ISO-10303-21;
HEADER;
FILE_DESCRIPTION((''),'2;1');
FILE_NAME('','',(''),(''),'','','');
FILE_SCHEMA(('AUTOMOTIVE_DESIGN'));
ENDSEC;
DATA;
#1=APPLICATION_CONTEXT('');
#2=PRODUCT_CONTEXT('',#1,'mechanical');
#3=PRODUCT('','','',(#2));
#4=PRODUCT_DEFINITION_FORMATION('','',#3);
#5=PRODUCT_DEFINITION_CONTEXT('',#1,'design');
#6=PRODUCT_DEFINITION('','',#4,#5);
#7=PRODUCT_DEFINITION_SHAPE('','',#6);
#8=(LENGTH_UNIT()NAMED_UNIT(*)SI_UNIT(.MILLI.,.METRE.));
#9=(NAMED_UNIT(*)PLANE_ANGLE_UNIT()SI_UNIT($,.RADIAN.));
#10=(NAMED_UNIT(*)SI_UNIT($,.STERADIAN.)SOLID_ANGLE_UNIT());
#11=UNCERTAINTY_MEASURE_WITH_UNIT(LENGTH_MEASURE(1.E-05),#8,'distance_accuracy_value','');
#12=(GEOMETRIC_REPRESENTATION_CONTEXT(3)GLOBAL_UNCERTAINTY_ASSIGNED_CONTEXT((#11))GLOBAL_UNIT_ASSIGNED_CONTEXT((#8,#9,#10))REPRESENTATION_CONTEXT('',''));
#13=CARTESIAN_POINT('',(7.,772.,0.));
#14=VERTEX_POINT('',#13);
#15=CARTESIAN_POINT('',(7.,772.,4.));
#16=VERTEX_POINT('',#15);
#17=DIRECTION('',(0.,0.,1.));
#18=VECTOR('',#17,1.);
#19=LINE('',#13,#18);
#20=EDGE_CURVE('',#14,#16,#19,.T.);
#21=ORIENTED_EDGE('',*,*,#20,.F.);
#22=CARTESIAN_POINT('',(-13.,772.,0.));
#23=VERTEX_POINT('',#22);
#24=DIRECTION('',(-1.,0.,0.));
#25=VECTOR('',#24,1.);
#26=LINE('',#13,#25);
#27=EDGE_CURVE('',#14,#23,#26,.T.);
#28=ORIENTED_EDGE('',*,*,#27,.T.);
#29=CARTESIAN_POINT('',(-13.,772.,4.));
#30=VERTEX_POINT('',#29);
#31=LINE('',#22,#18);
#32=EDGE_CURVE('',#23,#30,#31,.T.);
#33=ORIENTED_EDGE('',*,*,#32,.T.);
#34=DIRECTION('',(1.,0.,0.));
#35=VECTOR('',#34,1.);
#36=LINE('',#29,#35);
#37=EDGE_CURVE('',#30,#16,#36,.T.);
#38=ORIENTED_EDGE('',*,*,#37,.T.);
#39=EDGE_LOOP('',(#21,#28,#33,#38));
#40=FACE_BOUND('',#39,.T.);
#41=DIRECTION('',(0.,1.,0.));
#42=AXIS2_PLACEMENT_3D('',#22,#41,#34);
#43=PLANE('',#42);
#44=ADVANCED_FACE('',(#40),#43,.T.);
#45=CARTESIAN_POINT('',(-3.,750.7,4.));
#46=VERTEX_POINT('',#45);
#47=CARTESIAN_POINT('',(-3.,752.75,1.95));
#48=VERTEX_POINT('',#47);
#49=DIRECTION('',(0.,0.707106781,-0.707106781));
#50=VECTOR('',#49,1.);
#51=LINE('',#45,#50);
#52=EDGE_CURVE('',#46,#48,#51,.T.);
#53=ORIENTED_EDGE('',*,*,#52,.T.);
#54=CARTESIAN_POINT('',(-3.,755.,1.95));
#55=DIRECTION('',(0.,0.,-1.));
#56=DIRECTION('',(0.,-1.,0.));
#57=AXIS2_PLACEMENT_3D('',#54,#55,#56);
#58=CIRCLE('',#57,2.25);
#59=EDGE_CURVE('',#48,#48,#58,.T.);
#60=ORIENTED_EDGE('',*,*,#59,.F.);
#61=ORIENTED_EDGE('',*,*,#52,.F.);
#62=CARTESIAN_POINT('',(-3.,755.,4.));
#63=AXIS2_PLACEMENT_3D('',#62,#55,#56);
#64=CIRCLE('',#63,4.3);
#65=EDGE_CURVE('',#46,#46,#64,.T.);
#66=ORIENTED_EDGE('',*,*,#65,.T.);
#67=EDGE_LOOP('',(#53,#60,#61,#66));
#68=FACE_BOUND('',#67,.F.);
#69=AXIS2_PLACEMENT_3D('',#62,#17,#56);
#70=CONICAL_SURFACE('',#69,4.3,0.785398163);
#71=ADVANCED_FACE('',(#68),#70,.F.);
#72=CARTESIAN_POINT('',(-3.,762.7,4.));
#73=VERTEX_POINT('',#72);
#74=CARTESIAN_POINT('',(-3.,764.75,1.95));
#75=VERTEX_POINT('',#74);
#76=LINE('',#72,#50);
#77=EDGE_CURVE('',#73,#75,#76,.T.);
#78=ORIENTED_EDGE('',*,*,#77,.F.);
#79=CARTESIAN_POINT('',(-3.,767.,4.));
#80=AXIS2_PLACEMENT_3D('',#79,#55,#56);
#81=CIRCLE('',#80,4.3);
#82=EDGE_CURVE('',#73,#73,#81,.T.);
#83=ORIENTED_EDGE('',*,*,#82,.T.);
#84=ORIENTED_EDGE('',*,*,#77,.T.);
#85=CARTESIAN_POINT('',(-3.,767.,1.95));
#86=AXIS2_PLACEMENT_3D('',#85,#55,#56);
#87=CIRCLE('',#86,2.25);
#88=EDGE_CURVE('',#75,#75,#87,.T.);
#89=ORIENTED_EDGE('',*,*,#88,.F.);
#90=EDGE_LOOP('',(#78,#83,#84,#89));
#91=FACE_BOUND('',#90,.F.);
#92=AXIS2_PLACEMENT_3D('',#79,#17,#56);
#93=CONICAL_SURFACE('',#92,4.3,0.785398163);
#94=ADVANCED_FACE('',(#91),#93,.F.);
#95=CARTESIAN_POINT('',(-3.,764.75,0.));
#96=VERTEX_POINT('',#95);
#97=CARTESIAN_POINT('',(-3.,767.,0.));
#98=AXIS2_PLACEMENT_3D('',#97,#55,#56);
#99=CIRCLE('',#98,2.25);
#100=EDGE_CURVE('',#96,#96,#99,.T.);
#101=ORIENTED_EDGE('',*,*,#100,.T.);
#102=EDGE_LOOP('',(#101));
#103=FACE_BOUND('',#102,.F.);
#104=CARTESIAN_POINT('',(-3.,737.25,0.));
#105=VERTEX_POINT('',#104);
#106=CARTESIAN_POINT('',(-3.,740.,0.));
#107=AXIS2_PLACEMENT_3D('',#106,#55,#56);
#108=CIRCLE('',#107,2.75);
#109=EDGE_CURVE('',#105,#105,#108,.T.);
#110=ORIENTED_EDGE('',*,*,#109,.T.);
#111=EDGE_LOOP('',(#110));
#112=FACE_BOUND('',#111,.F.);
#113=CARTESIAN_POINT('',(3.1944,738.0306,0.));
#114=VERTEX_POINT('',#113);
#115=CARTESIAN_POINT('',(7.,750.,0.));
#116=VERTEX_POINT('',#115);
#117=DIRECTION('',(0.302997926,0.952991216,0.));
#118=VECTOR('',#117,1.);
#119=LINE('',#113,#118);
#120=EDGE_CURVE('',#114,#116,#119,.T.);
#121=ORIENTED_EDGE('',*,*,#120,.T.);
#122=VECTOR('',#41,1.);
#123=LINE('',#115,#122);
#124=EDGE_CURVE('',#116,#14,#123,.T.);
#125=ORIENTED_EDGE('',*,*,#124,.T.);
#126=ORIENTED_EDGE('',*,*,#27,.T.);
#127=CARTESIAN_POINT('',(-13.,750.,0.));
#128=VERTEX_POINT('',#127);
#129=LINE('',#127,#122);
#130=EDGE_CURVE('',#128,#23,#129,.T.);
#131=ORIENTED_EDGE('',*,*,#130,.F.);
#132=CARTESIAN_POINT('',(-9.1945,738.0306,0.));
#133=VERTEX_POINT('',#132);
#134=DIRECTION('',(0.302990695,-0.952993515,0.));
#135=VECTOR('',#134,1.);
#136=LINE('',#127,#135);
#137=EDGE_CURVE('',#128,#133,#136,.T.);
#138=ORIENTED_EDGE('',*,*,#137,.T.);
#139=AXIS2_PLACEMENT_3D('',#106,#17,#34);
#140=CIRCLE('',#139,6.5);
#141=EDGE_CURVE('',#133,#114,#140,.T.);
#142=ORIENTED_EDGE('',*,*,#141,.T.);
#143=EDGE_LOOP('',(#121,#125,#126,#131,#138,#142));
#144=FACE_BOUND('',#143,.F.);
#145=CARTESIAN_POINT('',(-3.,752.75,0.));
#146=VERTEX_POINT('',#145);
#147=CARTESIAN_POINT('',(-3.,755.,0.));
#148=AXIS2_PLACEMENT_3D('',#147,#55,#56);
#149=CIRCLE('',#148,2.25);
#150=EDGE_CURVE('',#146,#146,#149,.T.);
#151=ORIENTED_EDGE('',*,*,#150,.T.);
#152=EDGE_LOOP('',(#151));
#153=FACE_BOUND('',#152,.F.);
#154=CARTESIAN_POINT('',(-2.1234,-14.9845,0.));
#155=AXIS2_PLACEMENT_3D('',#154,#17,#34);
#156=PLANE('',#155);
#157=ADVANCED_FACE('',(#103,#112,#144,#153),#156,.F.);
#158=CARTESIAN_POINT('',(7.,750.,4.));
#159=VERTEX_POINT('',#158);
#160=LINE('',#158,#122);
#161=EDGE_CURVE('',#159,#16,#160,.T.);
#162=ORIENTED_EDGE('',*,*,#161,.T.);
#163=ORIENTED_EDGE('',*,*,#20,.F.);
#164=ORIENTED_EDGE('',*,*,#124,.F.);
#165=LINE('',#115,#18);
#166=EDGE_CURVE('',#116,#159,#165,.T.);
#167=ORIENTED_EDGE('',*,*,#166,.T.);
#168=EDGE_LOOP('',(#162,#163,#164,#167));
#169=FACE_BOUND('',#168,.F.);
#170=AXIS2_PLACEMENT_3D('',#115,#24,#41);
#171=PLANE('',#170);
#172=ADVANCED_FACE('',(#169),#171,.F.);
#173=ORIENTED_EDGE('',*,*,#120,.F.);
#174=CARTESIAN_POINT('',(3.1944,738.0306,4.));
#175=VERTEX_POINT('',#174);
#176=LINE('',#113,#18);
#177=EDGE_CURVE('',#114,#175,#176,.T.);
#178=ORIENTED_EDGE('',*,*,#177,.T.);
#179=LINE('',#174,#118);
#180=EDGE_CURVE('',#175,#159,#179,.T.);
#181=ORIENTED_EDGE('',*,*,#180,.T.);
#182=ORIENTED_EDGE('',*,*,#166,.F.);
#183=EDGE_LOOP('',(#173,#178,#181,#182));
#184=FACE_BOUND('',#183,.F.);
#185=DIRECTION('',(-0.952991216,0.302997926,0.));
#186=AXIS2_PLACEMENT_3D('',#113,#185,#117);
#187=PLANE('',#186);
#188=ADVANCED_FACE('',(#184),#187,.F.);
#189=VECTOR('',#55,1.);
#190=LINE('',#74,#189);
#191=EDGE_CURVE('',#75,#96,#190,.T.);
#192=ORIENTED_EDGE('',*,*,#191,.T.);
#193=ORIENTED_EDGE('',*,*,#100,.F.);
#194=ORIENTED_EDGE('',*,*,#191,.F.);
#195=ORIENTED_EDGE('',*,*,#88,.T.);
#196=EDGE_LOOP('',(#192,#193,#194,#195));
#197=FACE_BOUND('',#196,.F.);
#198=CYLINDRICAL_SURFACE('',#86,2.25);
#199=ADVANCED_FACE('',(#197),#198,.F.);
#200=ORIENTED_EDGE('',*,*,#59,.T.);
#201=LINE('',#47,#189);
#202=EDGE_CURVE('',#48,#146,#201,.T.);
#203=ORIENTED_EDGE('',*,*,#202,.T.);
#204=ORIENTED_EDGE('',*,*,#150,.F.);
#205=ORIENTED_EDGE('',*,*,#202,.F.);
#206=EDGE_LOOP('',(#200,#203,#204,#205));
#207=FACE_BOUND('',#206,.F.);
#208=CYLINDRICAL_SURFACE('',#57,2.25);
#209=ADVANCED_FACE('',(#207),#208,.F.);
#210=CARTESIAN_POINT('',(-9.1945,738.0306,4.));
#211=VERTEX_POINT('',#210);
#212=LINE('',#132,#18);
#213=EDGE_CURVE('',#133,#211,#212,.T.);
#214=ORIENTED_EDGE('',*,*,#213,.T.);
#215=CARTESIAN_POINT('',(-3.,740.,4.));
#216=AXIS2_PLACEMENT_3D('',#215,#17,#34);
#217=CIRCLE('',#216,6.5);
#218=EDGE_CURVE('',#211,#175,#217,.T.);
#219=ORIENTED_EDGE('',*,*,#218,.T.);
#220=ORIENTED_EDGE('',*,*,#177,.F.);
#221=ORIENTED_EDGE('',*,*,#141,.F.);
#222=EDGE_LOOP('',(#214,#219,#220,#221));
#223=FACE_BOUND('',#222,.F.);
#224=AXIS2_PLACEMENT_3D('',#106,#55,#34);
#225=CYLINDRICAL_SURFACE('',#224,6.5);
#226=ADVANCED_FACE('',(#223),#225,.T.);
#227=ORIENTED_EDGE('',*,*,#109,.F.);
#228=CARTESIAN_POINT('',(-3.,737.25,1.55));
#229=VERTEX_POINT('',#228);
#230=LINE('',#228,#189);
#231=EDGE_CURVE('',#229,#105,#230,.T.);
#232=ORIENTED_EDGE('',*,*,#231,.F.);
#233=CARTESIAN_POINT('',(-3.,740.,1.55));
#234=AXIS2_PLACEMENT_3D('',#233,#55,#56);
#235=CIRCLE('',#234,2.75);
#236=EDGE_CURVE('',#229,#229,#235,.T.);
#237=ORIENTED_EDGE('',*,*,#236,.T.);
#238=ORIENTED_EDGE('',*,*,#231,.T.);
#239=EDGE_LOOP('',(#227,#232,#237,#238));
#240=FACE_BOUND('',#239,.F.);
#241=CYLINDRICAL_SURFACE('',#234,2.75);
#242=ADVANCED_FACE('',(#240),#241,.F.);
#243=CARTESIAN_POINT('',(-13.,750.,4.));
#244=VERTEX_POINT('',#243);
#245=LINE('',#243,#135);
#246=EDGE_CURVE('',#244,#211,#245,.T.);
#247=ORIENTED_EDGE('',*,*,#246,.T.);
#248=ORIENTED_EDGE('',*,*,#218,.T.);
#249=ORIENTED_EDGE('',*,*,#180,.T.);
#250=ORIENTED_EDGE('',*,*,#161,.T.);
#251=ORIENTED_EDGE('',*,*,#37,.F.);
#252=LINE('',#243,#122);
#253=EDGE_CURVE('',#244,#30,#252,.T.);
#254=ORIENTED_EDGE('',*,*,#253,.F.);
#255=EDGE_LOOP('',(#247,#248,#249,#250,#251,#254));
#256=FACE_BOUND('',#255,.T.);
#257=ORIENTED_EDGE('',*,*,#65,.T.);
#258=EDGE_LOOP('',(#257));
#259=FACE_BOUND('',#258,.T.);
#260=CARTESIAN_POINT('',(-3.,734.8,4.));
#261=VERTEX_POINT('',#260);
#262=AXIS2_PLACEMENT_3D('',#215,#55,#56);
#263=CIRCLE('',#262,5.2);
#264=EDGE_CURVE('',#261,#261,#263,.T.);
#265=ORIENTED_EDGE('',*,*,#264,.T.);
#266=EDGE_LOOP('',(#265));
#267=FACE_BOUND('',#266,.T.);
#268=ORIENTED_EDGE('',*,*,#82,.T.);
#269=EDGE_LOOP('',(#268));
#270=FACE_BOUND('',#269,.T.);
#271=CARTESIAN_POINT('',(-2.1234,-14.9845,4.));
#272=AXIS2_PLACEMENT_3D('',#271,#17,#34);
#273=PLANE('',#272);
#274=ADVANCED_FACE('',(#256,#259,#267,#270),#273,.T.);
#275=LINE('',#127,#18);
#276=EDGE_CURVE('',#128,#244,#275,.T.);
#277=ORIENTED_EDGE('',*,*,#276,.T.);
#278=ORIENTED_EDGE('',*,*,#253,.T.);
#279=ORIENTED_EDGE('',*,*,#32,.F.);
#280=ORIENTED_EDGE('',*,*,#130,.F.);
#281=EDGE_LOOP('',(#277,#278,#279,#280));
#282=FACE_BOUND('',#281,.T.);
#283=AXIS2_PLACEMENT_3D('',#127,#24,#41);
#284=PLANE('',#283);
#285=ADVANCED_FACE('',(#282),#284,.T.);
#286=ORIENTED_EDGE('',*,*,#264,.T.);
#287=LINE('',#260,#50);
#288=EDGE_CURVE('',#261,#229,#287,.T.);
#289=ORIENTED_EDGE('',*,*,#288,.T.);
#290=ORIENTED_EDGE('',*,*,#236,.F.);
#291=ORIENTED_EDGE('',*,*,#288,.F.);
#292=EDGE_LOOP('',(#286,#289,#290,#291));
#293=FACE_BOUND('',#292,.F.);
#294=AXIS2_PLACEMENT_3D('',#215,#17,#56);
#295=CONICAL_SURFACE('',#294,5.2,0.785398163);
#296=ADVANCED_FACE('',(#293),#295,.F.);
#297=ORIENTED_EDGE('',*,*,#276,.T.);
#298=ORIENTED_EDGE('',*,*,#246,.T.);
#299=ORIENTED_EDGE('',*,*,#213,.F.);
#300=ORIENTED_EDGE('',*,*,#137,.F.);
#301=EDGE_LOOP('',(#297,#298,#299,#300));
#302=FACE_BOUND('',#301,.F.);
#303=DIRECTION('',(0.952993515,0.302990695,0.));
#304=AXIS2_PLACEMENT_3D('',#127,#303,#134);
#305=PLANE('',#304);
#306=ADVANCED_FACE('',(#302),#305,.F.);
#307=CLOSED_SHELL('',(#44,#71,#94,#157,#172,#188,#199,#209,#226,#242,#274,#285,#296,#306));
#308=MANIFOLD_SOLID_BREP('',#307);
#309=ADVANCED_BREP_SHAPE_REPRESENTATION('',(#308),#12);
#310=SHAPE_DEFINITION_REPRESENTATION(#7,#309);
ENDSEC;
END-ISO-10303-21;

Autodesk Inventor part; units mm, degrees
ref_plane "YZ Plane" through (0, 0, 0) normal (1, 0, 0) x (0, 1, 0)
ref_plane "XZ Plane" through (0, 0, 0) normal (0, 1, 0) x (-1, 0, 0)
ref_plane "XY Plane" through (0, 0, 0) normal (0, 0, 1) x (1, 0, 0)
ref_plane "Work Plane1" through (-2.1234, -14.9845, 0) normal (0, 0, 1) x (1, 0, 0)
sketch "Sketch1" plane through (-2.1234, -14.9845, 0) normal (0, 0, 1) x (1, 0, 0)
  line L0 (-10.8766, 764.9845) -> (-3.8766, 764.9845) projected
  line L1 (-3.8766, 764.9845) -> (-3.8766, 1014.9845) projected
  line L2 (-10.8766, 1014.9845) -> (-3.8766, 1014.9845) projected
  line L3 (-10.8766, 764.9845) -> (-10.8766, 1014.9845) projected
  line L4 (2.1234, 764.9845) -> (9.1234, 764.9845) projected
  line L5 (9.1234, 764.9845) -> (9.1234, 1014.9845) projected
  line L6 (2.1234, 1014.9845) -> (9.1234, 1014.9845) projected
  line L7 (2.1234, 764.9845) -> (2.1234, 1014.9845) projected
  circle A0 centre (-0.8766, 754.9845) radius 2.5 projected
  line L8 (-0.8766, 754.9845) -> (-0.8766, 786.7892) construction
  line L9 (-10.8766, 764.9845) -> (-7.0711, 753.0151)
  line L10 (5.3178, 753.0151) -> (9.1234, 764.9845)
  circle A1 centre (-0.8766, 754.9845) radius 6.5
  line L11 (-10.8766, 764.9845) -> (-10.8766, 786.9845)
  line L12 (-10.8766, 786.9845) -> (9.1234, 786.9845)
  line L13 (9.1234, 764.9845) -> (9.1234, 786.9845)
  point P0 (2.1234, 14.9845)
  point P1 (-0.8766, 769.9845)
  point P2 (-0.8766, 781.9845)
  dimension "d0" = 5
  dimension "d1" = 12
  dimension "d2" = 4
  dimension "d3" = 5
extrude "Extrusion1" add sketch "Sketch1" along normal blind 4 contours L3 L12 L1 L0 | L0 L1 L12 L7 L4 L10 A1 L9 | A1 | L12 L5 L4 L7 | A0
sketch "Sketch2" plane through (-2.1234, -14.9845, 4) normal (0, 0, 1) x (1, 0, 0)
  point P0 (2.1234, 14.9845)
  point P1 (-0.8766, 769.9845)
  point P2 (-0.8766, 781.9845)
  point P3 (-0.8766, 754.9845)
hole "Hole1" at (-3, 755, 4) at (-3, 767, 4) direction (0, 0, -1) diameter 4.5 end through all countersink diameter 8.6 countersink angle 90 clearance for "Countersunk Head GOST 12876-67" size "M4" standard "GOST"
hole "Hole2" at (-3, 740, 4) direction (0, 0, -1) diameter 5.5 end through all countersink diameter 10.4 countersink angle 90 clearance for "Countersunk Head GOST 12876-67" size "M5" standard "GOST"
properties part number "belt_tentioner_plane"
